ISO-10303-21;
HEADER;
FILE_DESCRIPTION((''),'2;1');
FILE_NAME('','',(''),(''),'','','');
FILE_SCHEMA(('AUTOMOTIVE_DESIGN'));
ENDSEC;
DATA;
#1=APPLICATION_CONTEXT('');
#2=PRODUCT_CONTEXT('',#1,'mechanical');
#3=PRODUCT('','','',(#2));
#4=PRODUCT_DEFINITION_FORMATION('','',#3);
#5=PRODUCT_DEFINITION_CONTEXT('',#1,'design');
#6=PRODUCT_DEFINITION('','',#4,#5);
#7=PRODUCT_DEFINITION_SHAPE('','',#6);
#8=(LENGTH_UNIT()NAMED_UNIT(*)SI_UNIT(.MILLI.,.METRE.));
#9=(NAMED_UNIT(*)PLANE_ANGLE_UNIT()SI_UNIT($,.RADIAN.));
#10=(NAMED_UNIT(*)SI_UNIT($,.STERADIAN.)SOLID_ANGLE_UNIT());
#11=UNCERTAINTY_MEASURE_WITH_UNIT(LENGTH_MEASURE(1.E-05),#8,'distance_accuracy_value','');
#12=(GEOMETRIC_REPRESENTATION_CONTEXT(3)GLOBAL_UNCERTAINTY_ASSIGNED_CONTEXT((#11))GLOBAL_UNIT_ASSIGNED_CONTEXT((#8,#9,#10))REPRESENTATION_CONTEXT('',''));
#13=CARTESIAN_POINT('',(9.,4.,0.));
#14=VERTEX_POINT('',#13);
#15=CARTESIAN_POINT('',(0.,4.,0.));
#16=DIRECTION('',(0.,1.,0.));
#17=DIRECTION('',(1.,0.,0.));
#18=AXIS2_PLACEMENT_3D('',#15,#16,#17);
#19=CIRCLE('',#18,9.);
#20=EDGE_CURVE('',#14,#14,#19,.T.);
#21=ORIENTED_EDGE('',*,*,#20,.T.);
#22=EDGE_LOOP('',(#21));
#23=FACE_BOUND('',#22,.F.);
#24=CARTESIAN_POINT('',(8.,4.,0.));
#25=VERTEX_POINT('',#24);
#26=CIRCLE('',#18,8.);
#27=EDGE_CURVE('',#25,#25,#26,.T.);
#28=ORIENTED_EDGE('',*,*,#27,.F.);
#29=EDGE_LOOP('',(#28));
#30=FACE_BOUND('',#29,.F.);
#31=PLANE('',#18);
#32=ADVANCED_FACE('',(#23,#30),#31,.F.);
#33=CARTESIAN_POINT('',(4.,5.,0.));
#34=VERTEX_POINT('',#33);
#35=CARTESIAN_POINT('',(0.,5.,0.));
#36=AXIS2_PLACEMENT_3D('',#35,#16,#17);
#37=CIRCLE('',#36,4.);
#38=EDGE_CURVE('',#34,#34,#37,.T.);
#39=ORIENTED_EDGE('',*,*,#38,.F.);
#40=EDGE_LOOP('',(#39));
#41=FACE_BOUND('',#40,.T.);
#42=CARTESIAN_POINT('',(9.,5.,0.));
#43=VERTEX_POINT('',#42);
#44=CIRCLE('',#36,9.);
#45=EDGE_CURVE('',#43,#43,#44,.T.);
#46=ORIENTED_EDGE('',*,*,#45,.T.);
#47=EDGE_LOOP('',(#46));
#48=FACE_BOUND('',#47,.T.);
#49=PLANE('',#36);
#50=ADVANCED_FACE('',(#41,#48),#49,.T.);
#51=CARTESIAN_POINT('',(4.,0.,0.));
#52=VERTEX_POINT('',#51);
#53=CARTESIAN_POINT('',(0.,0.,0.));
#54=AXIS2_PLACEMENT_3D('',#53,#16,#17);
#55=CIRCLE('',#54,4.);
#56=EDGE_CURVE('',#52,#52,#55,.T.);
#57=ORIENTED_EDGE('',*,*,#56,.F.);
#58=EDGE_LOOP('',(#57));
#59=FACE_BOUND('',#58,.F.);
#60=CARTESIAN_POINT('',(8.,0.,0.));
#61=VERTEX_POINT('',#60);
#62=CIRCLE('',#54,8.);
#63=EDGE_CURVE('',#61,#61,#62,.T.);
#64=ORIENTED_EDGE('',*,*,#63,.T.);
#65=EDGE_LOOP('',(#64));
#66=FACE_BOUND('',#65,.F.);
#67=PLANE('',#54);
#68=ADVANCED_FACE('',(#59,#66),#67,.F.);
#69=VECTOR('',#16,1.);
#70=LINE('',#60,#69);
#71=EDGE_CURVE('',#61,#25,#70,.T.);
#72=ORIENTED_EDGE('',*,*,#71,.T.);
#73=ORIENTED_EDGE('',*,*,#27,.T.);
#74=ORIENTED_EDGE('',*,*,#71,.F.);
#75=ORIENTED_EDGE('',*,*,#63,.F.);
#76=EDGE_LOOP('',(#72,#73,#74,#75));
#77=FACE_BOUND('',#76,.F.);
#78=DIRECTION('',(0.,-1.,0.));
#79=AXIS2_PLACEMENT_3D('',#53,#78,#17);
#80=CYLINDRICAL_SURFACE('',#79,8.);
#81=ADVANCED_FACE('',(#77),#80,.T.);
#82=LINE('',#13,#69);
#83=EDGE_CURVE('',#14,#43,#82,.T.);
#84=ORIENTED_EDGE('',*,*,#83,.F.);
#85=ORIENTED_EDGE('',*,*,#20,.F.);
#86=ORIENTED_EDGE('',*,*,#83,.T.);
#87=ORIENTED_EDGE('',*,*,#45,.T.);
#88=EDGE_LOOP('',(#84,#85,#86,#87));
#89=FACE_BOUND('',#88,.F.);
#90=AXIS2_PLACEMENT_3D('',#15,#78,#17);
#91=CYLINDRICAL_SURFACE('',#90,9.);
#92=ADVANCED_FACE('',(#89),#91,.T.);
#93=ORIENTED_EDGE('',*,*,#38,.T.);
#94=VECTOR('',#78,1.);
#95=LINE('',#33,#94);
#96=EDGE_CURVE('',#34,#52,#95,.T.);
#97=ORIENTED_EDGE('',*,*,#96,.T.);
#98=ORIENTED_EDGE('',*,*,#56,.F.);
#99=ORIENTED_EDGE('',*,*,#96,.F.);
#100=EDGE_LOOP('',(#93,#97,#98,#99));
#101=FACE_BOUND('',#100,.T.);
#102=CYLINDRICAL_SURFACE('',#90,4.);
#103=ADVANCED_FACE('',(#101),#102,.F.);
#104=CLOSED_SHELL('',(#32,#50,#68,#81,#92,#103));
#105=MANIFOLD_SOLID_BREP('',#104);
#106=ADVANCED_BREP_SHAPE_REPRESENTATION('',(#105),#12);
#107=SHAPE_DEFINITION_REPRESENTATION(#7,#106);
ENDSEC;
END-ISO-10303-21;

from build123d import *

# Parameters (mm, degrees)
SKETCH_1_R      = 8
SKETCH_1_R_2    = 4
EXTRUDE_1_DEPTH = 4
SKETCH_2_R      = 9
SKETCH_2_R_2    = 4
EXTRUDE_2_DEPTH = 1


with BuildPart() as part:
    # 草图1 → 凸台-拉伸1 (new body)
    with BuildSketch(Plane(origin=(0, 0, 0), x_dir=(1, 0, 0), z_dir=(0, 1, 0))):
        Circle(SKETCH_1_R)
        Circle(SKETCH_1_R_2, mode=Mode.SUBTRACT)
    extrude(amount=EXTRUDE_1_DEPTH)

    # 草图2 → 凸台-拉伸2 (add)
    with BuildSketch(Plane(origin=(0, 4, 0), x_dir=(1, 0, 0), z_dir=(0, 1, 0))):
        Circle(SKETCH_2_R)
        Circle(SKETCH_2_R_2, mode=Mode.SUBTRACT)
    extrude(amount=EXTRUDE_2_DEPTH)


solid = part.part
